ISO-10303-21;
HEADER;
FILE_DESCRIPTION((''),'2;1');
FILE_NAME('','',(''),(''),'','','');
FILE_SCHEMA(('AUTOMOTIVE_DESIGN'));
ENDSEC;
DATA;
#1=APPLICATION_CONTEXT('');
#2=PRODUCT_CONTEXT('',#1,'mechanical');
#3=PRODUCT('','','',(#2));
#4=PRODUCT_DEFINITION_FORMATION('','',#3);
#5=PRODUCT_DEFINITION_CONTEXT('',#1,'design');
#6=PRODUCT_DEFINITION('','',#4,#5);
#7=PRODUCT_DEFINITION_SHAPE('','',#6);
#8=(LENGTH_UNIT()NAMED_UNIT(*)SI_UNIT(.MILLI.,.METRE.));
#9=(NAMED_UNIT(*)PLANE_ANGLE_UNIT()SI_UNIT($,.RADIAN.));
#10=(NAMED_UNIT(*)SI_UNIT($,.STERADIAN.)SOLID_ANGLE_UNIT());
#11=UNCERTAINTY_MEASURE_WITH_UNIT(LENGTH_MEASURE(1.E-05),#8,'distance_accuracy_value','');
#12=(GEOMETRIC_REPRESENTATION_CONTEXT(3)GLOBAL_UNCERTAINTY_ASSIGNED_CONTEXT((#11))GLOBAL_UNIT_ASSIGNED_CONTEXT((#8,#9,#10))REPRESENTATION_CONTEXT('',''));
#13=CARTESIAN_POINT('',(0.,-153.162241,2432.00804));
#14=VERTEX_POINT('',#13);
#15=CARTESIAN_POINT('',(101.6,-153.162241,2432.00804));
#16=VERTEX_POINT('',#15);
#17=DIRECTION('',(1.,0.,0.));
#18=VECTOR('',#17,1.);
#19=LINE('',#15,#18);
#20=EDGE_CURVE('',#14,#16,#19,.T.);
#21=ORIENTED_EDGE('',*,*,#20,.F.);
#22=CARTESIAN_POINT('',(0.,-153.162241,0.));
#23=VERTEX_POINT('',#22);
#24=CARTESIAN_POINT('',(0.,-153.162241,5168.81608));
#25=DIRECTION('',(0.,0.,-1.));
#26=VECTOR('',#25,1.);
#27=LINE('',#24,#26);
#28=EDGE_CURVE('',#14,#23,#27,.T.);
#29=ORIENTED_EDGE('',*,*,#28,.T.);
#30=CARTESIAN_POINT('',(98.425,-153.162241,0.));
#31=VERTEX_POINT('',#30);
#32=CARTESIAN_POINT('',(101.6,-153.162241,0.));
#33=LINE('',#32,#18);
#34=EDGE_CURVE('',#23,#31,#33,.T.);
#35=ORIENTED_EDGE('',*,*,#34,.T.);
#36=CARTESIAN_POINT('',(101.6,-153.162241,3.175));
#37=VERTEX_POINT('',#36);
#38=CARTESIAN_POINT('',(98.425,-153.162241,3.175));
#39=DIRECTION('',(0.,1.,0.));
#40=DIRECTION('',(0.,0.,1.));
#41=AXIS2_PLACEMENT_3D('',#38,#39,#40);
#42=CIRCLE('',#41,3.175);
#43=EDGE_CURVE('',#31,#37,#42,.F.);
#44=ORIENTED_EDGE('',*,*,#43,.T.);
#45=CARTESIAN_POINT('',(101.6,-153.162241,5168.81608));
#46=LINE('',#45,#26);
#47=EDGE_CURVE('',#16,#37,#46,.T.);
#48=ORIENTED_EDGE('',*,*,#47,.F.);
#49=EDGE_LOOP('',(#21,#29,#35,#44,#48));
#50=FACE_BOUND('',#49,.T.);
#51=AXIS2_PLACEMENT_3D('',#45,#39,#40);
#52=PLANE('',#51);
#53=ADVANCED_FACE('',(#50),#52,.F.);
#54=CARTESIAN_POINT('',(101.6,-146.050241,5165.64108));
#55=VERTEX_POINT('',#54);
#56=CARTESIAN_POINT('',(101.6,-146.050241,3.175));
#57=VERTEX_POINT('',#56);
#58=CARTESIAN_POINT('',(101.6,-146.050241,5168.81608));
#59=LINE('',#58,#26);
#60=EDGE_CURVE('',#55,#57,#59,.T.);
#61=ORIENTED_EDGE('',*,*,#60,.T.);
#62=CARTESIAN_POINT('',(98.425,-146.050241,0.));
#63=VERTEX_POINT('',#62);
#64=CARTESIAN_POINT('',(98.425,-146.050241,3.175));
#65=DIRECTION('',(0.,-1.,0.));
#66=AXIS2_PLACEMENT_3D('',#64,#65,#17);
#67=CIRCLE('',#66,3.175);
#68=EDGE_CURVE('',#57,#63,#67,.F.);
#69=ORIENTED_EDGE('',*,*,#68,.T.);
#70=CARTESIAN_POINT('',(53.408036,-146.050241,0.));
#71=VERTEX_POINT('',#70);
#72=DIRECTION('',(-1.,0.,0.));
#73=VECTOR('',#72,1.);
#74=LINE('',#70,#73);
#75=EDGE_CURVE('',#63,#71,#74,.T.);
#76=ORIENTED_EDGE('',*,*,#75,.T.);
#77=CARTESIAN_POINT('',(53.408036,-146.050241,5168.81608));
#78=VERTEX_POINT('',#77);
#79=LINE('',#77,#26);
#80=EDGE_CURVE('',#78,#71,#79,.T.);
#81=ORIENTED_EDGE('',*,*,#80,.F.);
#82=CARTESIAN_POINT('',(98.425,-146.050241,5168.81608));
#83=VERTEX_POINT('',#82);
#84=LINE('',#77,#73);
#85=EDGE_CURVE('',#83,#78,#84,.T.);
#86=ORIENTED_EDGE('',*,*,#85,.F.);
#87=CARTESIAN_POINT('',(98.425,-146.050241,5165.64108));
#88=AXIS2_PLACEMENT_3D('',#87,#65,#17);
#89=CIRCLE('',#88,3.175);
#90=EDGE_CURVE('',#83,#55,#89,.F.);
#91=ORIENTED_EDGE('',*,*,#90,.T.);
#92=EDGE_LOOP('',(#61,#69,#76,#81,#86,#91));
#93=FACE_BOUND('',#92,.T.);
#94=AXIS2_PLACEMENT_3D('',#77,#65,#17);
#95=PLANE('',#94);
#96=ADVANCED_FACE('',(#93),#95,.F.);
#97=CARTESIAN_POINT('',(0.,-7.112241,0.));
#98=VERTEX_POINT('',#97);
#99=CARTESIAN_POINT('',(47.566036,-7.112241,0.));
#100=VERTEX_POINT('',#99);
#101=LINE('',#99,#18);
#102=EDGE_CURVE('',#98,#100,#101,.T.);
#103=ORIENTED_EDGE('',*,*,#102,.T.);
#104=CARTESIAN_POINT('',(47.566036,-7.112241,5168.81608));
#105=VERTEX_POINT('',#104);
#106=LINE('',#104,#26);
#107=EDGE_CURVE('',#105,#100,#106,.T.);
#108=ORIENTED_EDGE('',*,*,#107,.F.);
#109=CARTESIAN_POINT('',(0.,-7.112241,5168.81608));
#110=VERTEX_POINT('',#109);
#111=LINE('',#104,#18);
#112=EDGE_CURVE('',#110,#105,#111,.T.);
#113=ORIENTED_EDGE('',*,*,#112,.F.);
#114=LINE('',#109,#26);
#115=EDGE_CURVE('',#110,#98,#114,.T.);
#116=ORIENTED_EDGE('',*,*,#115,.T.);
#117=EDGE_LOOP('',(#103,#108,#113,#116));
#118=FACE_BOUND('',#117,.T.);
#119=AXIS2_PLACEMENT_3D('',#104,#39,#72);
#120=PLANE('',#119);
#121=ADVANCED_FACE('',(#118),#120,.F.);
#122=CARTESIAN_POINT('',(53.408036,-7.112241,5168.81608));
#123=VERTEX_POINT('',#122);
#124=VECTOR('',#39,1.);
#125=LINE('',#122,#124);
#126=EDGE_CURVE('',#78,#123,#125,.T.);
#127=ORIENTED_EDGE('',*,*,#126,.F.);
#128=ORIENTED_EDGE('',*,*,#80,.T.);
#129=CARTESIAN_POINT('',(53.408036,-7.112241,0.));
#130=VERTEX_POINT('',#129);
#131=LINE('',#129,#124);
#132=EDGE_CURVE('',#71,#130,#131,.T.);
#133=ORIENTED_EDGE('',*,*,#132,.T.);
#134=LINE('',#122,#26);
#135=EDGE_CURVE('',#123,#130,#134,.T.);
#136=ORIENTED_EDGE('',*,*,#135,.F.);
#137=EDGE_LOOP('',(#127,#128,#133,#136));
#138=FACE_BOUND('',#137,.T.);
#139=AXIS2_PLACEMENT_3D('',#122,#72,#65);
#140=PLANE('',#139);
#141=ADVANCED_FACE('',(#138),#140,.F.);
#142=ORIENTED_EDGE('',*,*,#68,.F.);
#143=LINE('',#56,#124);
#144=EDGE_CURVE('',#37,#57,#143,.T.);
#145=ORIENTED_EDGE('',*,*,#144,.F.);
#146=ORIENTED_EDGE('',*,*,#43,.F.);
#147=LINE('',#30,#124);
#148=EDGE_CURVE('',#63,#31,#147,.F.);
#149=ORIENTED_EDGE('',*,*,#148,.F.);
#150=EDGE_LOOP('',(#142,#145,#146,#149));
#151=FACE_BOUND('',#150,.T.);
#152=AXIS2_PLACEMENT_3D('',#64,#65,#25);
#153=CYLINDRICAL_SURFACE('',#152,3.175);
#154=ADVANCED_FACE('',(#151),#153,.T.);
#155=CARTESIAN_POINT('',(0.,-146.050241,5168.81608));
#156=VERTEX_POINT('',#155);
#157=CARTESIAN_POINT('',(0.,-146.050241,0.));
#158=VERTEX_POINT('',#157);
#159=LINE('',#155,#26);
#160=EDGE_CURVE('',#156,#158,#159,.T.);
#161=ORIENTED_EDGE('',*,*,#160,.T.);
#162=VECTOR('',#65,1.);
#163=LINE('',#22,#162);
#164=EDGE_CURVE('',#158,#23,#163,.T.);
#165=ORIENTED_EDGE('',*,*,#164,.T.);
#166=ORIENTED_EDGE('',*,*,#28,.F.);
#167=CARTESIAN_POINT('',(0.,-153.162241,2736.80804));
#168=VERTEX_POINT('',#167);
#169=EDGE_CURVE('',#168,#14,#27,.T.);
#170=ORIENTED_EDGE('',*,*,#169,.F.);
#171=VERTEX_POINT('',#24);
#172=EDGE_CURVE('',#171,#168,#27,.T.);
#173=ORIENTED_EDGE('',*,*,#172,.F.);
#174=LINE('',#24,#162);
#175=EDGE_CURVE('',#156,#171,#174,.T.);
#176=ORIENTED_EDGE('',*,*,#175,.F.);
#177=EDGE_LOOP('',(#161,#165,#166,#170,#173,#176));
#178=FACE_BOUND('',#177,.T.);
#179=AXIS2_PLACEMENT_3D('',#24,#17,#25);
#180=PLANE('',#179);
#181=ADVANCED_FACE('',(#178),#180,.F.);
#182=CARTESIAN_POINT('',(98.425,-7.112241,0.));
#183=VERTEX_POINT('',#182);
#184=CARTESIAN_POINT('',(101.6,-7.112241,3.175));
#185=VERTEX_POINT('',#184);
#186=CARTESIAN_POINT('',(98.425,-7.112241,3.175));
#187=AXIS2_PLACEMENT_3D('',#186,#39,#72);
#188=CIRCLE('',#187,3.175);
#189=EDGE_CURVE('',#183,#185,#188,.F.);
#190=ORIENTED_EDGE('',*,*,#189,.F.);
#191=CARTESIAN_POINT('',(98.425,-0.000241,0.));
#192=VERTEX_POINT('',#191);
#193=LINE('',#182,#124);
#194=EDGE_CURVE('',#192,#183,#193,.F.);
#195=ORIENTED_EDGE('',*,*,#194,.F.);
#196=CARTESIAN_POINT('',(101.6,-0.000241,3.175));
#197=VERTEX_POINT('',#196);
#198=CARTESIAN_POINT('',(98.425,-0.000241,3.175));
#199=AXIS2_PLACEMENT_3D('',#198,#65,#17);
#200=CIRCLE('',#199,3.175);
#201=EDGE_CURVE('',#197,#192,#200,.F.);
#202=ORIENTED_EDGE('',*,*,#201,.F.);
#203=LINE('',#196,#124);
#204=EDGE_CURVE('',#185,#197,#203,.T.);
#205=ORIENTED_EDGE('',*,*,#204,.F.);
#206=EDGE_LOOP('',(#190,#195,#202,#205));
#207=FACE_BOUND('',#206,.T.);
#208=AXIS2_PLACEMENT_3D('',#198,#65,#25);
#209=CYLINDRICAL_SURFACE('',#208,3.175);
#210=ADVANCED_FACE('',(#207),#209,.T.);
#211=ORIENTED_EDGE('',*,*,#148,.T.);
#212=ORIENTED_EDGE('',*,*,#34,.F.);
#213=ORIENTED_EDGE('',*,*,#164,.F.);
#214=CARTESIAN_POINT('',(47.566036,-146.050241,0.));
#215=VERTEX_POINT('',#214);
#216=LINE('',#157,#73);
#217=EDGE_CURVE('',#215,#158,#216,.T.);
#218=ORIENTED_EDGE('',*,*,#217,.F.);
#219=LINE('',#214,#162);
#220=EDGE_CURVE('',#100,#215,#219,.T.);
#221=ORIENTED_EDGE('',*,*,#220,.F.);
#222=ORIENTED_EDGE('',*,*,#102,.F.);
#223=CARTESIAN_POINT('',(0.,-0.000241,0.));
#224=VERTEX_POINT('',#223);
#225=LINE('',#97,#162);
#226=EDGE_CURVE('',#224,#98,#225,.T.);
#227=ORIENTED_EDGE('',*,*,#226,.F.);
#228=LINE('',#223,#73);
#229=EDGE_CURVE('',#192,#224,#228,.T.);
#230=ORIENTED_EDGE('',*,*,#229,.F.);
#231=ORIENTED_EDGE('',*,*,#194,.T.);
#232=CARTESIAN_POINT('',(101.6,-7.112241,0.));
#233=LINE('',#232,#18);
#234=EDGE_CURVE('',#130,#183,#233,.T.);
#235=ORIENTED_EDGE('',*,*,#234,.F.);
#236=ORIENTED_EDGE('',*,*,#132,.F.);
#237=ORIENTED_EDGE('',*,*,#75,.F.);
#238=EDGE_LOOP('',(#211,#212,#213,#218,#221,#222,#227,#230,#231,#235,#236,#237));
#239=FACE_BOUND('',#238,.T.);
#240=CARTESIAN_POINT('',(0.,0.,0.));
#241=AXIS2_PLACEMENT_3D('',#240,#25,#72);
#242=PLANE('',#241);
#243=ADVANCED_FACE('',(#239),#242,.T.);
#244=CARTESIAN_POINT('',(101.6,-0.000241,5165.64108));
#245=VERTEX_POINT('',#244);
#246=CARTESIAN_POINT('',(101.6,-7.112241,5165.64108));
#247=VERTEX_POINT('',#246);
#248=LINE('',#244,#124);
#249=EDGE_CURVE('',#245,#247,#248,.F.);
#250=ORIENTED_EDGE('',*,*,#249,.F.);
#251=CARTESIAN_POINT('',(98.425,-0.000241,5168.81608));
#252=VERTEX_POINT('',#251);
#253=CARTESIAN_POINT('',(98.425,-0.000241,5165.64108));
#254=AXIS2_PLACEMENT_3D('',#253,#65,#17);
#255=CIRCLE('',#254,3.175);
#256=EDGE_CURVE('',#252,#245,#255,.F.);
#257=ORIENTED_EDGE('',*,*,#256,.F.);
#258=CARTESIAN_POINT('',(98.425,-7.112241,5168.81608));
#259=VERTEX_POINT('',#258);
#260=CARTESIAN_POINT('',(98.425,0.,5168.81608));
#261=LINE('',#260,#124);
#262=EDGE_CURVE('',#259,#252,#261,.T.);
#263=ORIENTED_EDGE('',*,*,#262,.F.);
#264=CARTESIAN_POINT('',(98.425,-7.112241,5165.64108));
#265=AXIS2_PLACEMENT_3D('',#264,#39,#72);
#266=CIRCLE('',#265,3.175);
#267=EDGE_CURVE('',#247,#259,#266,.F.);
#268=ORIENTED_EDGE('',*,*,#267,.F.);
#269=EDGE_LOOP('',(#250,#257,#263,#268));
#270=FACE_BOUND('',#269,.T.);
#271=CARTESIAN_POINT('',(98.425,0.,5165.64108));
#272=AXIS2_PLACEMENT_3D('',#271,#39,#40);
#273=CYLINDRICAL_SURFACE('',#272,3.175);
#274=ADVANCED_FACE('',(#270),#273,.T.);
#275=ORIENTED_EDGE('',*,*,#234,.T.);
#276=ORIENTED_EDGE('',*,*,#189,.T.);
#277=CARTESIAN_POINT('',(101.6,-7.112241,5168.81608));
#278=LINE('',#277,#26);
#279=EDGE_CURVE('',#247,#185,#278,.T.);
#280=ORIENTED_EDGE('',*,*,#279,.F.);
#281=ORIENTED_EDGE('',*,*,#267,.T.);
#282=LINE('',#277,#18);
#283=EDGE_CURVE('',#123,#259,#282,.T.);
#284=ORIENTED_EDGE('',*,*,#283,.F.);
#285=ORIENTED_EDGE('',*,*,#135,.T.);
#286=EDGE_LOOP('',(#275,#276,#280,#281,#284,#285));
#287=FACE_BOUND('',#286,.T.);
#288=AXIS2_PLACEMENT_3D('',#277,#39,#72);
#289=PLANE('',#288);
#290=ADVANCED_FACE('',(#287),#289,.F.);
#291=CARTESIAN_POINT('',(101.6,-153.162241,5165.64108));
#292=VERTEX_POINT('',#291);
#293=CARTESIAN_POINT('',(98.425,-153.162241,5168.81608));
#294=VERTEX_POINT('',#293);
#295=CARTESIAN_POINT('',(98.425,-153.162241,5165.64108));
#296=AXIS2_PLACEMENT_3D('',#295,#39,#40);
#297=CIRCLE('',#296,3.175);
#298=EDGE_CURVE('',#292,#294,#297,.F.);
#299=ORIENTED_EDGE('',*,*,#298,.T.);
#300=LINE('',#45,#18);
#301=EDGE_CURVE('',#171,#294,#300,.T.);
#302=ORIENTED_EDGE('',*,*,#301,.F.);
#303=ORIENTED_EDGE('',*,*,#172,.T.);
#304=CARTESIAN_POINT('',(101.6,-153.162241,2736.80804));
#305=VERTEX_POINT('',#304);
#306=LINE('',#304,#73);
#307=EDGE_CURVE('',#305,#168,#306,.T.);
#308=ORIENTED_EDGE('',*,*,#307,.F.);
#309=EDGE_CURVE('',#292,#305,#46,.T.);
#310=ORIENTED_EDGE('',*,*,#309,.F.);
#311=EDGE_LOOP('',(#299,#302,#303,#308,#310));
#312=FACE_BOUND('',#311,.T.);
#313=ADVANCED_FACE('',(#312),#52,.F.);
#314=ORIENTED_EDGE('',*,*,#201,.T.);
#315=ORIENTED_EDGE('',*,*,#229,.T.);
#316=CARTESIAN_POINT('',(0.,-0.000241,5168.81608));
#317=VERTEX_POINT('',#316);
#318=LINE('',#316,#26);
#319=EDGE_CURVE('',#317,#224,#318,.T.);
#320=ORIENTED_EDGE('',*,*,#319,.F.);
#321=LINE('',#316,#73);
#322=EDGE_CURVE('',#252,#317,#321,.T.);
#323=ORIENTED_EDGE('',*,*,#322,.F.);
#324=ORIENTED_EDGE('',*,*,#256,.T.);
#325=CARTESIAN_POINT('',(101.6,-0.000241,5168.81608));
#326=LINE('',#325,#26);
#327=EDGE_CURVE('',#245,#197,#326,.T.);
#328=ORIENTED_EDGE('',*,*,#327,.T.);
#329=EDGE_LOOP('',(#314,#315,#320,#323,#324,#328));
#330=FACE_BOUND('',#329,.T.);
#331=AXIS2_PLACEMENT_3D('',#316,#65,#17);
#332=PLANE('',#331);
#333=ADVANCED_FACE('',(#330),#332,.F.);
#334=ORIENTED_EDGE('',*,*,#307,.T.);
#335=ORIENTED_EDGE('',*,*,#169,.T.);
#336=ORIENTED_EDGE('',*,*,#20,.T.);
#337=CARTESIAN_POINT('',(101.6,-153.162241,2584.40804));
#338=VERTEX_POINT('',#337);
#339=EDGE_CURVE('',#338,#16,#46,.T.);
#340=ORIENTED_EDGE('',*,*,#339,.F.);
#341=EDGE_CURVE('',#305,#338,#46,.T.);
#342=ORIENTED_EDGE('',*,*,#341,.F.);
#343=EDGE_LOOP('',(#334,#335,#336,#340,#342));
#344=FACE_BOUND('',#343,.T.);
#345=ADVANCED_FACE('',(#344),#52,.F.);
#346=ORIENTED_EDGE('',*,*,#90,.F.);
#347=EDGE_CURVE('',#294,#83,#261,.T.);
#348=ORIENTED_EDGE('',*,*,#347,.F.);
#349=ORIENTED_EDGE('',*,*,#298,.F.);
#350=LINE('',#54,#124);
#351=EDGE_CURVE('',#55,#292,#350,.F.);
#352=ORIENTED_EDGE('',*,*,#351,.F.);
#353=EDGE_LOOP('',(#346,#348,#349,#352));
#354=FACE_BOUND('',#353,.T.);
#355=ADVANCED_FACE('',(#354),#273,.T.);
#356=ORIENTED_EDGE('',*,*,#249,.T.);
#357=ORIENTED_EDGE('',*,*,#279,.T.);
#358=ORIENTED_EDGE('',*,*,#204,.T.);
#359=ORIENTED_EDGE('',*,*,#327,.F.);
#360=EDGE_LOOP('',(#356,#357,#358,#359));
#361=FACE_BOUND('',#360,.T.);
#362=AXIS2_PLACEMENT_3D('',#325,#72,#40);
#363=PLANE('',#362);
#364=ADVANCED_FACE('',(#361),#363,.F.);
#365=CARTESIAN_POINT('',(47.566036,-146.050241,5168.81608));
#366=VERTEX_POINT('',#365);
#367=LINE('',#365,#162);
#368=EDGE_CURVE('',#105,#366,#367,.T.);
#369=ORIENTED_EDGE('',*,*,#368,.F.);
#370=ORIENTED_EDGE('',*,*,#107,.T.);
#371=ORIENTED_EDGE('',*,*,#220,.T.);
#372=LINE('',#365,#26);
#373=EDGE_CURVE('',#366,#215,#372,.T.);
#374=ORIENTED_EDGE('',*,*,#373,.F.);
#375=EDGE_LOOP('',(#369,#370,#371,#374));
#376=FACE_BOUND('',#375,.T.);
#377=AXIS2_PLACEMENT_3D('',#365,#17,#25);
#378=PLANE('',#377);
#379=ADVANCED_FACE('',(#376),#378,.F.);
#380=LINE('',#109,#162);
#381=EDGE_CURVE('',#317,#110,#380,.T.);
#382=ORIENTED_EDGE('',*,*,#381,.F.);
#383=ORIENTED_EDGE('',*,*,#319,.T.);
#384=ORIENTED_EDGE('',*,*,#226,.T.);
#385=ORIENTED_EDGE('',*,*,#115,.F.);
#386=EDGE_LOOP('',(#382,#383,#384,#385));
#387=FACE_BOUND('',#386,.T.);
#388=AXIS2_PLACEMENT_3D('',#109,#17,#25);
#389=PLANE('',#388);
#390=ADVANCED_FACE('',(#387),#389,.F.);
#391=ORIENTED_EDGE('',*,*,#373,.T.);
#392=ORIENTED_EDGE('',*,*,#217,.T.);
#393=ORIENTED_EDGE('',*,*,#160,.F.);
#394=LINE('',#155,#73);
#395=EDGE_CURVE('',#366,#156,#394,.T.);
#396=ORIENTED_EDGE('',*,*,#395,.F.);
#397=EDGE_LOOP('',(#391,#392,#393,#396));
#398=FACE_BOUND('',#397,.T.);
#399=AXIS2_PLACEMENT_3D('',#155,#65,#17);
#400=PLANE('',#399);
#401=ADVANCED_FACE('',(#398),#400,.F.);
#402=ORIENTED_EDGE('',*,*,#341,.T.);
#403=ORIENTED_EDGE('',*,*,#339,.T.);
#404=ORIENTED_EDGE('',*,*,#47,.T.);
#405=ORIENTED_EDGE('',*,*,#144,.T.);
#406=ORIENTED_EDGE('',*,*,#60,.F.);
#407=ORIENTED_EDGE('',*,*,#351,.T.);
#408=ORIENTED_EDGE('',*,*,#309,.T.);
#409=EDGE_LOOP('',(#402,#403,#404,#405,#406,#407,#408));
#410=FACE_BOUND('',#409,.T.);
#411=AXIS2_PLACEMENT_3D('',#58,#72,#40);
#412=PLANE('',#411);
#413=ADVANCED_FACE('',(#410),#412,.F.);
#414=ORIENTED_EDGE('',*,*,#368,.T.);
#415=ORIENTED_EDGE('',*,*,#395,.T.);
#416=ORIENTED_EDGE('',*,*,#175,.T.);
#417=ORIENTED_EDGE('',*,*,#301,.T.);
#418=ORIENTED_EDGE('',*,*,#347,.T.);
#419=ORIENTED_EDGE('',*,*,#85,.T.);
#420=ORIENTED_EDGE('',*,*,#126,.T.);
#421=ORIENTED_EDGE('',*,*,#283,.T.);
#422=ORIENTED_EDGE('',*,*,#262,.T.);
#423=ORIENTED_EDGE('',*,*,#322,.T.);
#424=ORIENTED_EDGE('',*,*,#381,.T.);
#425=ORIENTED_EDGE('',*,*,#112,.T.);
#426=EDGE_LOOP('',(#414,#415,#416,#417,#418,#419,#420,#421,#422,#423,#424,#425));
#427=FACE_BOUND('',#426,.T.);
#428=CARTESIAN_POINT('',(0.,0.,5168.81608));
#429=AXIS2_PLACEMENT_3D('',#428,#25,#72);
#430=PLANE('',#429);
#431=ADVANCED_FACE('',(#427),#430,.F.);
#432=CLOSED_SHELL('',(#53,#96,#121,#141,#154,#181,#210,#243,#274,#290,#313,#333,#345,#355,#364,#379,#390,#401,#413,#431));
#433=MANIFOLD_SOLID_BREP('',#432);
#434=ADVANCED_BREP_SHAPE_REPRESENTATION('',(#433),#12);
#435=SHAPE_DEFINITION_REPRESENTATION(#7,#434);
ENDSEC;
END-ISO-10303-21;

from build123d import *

# Parameters (mm, degrees)
BOSS_EXTRUDE1_DEPTH = 5168.81608
FILLET1_R           = 3.175


with BuildPart() as part:
    # Sketch1 → Boss-Extrude1 (new body)
    with BuildSketch(Plane.XY):
        Polygon((0, -0.000240533), (101.6, -0.000240533), (101.6, -7.112240533), (53.408035714, -7.112240533), (53.408035714, -146.050240533), (101.6, -146.050240533), (101.6, -153.162240533), (0, -153.162240533), (0, -146.050240533), (47.566035714, -146.050240533), (47.566035714, -7.112240533), (0, -7.112240533), align=None)
    extrude(amount=BOSS_EXTRUDE1_DEPTH)

    # Fillet1
    fillet1_edges = [part.edges().sort_by_distance(p)[0] for p in [
        (101.6, -3.556240533, 0),
        (101.6, -149.606240533, 0),
        (101.6, -149.606240533, 5168.81608),
        (101.6, -3.556240533, 5168.81608),
    ]]
    fillet(fillet1_edges, radius=FILLET1_R)


solid = part.part
